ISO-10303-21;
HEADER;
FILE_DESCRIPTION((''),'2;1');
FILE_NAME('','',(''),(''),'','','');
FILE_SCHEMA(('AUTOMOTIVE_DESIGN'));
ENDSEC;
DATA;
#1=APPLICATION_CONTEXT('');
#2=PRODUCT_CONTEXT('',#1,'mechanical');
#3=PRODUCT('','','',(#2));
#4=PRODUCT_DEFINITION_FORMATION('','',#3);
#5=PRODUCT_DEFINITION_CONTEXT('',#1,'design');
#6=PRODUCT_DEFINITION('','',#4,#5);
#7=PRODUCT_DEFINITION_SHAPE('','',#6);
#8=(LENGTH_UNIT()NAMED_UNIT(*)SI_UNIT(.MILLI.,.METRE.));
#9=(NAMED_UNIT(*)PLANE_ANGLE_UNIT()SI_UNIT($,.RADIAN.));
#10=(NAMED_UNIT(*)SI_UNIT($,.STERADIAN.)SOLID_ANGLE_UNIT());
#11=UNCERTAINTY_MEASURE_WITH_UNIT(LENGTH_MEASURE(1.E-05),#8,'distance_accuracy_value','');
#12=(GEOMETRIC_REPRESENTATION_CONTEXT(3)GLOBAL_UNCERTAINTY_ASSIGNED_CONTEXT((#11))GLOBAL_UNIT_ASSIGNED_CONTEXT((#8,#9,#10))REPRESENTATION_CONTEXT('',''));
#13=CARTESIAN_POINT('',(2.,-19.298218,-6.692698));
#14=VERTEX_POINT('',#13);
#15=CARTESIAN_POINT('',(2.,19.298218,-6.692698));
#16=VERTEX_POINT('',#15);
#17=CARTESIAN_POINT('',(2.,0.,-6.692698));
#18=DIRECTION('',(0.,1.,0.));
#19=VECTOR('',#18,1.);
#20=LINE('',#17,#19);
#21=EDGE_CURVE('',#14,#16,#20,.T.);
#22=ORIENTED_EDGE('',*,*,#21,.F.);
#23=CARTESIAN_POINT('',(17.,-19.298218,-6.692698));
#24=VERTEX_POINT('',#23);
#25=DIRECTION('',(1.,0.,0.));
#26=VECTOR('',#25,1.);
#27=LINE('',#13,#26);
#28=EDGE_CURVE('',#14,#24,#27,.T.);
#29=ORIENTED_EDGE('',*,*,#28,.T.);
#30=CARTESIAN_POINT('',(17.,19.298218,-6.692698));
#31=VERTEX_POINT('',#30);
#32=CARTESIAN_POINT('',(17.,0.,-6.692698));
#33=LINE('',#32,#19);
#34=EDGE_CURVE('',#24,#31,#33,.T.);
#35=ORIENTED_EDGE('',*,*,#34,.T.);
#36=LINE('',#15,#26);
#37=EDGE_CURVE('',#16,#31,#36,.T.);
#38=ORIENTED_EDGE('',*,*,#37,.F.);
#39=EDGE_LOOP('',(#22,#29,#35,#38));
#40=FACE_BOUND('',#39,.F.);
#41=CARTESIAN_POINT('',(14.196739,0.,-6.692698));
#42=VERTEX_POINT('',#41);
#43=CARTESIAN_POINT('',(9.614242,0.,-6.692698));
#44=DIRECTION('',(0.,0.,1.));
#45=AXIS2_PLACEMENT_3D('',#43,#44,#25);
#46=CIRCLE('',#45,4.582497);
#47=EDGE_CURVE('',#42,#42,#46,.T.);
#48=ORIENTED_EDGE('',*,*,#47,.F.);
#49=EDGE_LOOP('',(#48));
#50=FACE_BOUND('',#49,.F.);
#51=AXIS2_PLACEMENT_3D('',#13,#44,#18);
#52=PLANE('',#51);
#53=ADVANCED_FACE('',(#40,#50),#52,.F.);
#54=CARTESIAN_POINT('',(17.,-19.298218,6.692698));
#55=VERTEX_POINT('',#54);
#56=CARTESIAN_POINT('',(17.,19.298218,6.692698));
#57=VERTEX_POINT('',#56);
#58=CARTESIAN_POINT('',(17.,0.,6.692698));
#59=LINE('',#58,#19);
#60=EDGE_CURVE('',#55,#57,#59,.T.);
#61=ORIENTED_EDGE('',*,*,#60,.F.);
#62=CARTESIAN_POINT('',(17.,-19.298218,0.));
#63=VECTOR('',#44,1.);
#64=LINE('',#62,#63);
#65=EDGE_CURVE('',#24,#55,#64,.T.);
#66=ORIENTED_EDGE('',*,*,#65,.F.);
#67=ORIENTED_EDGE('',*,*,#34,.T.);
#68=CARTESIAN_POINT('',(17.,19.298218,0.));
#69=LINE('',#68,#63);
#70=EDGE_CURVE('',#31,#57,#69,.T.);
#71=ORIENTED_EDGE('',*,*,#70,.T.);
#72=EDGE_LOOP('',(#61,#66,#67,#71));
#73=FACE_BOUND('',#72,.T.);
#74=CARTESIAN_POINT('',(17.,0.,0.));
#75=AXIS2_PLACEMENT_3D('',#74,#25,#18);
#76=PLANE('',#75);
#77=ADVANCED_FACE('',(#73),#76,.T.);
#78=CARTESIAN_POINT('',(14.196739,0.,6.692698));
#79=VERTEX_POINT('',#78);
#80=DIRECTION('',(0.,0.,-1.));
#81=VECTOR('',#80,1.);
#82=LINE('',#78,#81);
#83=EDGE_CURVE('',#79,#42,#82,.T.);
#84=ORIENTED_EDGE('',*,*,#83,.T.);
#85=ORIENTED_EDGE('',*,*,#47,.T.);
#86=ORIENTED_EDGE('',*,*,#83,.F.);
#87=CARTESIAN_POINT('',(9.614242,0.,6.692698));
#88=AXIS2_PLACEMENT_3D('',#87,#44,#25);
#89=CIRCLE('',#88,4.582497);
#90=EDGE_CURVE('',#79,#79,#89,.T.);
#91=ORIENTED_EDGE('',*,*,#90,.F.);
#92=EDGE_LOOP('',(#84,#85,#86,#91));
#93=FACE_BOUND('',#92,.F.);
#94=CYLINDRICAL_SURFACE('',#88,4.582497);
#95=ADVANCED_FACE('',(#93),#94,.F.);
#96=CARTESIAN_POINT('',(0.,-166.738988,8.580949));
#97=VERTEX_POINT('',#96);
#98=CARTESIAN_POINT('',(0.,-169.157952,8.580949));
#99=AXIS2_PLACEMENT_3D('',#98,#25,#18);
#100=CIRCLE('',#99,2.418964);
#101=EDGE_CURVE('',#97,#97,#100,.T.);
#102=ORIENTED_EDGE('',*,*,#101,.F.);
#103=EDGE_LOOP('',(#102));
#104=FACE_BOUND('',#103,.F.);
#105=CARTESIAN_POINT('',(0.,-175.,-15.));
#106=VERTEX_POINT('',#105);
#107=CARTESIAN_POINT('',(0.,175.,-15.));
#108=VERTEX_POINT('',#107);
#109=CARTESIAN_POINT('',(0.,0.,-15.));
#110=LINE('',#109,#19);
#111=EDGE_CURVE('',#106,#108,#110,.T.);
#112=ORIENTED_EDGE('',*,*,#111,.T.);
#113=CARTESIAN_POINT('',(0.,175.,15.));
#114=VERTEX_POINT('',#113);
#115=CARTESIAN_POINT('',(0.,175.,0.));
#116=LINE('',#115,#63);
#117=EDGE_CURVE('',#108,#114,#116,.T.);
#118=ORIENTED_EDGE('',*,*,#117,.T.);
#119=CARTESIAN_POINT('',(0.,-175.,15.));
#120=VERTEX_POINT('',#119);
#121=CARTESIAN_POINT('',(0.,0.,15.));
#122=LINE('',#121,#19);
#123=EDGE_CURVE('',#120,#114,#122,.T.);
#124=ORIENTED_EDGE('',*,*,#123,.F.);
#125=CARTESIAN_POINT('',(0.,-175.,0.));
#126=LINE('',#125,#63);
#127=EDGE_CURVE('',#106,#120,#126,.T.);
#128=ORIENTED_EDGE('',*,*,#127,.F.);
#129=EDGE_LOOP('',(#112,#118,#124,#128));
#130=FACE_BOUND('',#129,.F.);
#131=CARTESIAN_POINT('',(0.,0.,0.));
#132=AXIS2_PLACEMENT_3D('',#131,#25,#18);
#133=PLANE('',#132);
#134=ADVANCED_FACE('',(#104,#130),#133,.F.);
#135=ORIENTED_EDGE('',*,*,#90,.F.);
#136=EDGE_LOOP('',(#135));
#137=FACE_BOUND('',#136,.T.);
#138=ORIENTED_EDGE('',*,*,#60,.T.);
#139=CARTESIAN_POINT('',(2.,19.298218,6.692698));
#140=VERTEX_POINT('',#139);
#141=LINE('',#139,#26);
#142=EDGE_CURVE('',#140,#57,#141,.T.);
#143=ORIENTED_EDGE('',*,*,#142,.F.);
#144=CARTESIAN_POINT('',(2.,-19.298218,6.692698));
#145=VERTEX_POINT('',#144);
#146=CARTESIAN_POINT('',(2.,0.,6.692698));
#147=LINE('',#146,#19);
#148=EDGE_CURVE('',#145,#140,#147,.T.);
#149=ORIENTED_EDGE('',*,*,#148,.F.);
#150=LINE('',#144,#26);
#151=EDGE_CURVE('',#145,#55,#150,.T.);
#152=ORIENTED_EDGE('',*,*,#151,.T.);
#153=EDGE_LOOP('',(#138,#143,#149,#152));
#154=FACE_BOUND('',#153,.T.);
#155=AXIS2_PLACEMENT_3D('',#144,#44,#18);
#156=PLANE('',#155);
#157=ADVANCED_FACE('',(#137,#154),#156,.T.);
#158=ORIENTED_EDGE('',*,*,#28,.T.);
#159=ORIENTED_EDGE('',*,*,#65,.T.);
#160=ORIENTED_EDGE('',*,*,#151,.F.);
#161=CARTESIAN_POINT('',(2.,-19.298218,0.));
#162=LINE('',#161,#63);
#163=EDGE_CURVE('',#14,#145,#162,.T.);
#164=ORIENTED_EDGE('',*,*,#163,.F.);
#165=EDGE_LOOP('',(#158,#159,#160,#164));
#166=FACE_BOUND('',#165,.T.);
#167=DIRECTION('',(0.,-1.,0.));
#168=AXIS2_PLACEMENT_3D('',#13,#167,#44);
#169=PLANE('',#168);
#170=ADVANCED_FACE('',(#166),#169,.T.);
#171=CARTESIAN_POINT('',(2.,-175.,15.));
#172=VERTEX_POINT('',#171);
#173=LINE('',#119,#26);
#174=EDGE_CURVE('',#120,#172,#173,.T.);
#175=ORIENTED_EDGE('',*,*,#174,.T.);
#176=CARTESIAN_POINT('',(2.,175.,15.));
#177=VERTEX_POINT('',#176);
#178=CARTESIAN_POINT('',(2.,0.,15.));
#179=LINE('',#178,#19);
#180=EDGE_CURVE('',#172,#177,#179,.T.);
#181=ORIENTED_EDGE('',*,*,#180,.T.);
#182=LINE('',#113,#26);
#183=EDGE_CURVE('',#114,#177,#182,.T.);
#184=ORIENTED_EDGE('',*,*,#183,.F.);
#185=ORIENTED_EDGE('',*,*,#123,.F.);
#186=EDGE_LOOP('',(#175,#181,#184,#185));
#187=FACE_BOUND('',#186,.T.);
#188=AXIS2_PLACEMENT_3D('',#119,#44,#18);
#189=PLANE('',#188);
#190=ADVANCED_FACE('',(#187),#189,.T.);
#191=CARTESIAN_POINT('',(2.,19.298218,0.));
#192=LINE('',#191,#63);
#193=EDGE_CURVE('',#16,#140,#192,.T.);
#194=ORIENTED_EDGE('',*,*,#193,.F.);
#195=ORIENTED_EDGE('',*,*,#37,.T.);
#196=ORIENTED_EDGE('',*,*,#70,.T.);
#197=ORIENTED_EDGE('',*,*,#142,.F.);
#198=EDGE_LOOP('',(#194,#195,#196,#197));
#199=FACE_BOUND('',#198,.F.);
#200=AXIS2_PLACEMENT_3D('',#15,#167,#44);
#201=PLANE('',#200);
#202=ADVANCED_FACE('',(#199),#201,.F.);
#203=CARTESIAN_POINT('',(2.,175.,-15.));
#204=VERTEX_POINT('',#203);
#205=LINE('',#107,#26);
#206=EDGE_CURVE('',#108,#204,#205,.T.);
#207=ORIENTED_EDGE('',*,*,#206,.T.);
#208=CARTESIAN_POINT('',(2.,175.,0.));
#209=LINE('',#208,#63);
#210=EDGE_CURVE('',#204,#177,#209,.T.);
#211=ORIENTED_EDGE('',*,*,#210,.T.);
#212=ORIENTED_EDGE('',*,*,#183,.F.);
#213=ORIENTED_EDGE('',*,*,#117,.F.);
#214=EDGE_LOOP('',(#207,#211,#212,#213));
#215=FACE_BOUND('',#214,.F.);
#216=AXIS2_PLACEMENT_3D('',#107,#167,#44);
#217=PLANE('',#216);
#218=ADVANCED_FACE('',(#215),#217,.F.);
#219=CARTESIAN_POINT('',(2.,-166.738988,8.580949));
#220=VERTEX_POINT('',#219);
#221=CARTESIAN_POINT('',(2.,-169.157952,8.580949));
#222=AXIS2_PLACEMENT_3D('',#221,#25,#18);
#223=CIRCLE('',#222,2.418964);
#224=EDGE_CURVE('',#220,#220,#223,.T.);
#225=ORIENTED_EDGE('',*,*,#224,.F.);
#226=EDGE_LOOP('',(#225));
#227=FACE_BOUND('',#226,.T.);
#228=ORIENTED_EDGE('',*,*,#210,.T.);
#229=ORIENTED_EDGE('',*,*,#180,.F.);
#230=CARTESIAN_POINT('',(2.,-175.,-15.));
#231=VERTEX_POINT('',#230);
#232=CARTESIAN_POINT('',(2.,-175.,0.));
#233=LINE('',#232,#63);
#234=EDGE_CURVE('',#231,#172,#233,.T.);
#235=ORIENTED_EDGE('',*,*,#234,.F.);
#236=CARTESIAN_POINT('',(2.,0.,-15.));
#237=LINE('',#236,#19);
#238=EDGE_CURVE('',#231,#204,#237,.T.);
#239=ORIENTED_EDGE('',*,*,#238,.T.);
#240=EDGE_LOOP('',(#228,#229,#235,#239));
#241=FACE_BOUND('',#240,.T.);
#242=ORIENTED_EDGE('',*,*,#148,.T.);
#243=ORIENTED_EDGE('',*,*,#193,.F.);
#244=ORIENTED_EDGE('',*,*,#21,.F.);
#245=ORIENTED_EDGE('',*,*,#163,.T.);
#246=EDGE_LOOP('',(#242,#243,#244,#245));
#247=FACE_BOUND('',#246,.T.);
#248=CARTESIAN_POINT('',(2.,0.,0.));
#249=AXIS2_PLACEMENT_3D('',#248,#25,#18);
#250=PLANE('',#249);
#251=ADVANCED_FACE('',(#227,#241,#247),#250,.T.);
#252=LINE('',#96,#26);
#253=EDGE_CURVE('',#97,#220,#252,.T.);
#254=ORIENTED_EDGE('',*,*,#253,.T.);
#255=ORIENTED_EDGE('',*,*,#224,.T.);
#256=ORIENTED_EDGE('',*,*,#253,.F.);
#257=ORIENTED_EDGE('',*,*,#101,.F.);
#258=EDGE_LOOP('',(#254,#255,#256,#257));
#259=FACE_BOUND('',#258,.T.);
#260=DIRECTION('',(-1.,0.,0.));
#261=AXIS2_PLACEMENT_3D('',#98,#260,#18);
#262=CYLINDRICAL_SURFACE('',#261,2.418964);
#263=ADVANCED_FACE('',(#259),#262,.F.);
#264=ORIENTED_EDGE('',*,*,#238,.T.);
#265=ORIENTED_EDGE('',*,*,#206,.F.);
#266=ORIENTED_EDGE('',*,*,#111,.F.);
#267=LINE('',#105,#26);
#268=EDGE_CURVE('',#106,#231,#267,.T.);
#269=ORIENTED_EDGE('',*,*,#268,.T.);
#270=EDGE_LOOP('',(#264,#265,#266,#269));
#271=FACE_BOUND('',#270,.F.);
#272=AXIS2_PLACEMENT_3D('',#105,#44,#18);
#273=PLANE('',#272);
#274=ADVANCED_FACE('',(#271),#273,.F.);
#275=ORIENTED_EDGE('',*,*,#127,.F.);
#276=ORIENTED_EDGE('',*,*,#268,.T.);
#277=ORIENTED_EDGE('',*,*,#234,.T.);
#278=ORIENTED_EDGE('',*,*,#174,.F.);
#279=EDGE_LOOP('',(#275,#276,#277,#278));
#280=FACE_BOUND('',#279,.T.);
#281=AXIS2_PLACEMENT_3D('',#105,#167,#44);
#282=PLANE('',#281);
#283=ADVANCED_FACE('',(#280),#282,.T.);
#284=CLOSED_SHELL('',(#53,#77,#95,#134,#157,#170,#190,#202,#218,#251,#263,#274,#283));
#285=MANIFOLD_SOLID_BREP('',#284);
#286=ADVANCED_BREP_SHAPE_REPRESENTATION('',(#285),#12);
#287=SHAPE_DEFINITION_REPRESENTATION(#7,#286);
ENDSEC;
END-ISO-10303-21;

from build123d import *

# Parameters (mm, degrees)
F0_W     = 350
F0_H     = 30
F0_R     = 2.418964
F1_DEPTH = 2
F2_W     = 38.596436
F2_H     = 13.385396
F3_DEPTH = 15
F4_R     = 4.582497
F5_DEPTH = 21.693698


with BuildPart() as f1:
    # F0 (on Right) → F1 (new body)
    with BuildSketch(Plane.YZ):
        Rectangle(F0_W, F0_H)
        with Locations((-169.157952, 8.580949)):
            Circle(F0_R, mode=Mode.SUBTRACT)
    extrude(amount=F1_DEPTH)

    # F2 (on face) → F3 (join)
    with BuildSketch(Plane.YZ.offset(2)):
        Rectangle(F2_W, F2_H)
    extrude(amount=F3_DEPTH)

    # F4 (on face) → F5 (cut, through all)
    with BuildSketch(Plane.XY.offset(6.692698)):
        with Locations((9.614242, 0)):
            Circle(F4_R)
    extrude(amount=-F5_DEPTH, mode=Mode.SUBTRACT)


solid = f1.part
